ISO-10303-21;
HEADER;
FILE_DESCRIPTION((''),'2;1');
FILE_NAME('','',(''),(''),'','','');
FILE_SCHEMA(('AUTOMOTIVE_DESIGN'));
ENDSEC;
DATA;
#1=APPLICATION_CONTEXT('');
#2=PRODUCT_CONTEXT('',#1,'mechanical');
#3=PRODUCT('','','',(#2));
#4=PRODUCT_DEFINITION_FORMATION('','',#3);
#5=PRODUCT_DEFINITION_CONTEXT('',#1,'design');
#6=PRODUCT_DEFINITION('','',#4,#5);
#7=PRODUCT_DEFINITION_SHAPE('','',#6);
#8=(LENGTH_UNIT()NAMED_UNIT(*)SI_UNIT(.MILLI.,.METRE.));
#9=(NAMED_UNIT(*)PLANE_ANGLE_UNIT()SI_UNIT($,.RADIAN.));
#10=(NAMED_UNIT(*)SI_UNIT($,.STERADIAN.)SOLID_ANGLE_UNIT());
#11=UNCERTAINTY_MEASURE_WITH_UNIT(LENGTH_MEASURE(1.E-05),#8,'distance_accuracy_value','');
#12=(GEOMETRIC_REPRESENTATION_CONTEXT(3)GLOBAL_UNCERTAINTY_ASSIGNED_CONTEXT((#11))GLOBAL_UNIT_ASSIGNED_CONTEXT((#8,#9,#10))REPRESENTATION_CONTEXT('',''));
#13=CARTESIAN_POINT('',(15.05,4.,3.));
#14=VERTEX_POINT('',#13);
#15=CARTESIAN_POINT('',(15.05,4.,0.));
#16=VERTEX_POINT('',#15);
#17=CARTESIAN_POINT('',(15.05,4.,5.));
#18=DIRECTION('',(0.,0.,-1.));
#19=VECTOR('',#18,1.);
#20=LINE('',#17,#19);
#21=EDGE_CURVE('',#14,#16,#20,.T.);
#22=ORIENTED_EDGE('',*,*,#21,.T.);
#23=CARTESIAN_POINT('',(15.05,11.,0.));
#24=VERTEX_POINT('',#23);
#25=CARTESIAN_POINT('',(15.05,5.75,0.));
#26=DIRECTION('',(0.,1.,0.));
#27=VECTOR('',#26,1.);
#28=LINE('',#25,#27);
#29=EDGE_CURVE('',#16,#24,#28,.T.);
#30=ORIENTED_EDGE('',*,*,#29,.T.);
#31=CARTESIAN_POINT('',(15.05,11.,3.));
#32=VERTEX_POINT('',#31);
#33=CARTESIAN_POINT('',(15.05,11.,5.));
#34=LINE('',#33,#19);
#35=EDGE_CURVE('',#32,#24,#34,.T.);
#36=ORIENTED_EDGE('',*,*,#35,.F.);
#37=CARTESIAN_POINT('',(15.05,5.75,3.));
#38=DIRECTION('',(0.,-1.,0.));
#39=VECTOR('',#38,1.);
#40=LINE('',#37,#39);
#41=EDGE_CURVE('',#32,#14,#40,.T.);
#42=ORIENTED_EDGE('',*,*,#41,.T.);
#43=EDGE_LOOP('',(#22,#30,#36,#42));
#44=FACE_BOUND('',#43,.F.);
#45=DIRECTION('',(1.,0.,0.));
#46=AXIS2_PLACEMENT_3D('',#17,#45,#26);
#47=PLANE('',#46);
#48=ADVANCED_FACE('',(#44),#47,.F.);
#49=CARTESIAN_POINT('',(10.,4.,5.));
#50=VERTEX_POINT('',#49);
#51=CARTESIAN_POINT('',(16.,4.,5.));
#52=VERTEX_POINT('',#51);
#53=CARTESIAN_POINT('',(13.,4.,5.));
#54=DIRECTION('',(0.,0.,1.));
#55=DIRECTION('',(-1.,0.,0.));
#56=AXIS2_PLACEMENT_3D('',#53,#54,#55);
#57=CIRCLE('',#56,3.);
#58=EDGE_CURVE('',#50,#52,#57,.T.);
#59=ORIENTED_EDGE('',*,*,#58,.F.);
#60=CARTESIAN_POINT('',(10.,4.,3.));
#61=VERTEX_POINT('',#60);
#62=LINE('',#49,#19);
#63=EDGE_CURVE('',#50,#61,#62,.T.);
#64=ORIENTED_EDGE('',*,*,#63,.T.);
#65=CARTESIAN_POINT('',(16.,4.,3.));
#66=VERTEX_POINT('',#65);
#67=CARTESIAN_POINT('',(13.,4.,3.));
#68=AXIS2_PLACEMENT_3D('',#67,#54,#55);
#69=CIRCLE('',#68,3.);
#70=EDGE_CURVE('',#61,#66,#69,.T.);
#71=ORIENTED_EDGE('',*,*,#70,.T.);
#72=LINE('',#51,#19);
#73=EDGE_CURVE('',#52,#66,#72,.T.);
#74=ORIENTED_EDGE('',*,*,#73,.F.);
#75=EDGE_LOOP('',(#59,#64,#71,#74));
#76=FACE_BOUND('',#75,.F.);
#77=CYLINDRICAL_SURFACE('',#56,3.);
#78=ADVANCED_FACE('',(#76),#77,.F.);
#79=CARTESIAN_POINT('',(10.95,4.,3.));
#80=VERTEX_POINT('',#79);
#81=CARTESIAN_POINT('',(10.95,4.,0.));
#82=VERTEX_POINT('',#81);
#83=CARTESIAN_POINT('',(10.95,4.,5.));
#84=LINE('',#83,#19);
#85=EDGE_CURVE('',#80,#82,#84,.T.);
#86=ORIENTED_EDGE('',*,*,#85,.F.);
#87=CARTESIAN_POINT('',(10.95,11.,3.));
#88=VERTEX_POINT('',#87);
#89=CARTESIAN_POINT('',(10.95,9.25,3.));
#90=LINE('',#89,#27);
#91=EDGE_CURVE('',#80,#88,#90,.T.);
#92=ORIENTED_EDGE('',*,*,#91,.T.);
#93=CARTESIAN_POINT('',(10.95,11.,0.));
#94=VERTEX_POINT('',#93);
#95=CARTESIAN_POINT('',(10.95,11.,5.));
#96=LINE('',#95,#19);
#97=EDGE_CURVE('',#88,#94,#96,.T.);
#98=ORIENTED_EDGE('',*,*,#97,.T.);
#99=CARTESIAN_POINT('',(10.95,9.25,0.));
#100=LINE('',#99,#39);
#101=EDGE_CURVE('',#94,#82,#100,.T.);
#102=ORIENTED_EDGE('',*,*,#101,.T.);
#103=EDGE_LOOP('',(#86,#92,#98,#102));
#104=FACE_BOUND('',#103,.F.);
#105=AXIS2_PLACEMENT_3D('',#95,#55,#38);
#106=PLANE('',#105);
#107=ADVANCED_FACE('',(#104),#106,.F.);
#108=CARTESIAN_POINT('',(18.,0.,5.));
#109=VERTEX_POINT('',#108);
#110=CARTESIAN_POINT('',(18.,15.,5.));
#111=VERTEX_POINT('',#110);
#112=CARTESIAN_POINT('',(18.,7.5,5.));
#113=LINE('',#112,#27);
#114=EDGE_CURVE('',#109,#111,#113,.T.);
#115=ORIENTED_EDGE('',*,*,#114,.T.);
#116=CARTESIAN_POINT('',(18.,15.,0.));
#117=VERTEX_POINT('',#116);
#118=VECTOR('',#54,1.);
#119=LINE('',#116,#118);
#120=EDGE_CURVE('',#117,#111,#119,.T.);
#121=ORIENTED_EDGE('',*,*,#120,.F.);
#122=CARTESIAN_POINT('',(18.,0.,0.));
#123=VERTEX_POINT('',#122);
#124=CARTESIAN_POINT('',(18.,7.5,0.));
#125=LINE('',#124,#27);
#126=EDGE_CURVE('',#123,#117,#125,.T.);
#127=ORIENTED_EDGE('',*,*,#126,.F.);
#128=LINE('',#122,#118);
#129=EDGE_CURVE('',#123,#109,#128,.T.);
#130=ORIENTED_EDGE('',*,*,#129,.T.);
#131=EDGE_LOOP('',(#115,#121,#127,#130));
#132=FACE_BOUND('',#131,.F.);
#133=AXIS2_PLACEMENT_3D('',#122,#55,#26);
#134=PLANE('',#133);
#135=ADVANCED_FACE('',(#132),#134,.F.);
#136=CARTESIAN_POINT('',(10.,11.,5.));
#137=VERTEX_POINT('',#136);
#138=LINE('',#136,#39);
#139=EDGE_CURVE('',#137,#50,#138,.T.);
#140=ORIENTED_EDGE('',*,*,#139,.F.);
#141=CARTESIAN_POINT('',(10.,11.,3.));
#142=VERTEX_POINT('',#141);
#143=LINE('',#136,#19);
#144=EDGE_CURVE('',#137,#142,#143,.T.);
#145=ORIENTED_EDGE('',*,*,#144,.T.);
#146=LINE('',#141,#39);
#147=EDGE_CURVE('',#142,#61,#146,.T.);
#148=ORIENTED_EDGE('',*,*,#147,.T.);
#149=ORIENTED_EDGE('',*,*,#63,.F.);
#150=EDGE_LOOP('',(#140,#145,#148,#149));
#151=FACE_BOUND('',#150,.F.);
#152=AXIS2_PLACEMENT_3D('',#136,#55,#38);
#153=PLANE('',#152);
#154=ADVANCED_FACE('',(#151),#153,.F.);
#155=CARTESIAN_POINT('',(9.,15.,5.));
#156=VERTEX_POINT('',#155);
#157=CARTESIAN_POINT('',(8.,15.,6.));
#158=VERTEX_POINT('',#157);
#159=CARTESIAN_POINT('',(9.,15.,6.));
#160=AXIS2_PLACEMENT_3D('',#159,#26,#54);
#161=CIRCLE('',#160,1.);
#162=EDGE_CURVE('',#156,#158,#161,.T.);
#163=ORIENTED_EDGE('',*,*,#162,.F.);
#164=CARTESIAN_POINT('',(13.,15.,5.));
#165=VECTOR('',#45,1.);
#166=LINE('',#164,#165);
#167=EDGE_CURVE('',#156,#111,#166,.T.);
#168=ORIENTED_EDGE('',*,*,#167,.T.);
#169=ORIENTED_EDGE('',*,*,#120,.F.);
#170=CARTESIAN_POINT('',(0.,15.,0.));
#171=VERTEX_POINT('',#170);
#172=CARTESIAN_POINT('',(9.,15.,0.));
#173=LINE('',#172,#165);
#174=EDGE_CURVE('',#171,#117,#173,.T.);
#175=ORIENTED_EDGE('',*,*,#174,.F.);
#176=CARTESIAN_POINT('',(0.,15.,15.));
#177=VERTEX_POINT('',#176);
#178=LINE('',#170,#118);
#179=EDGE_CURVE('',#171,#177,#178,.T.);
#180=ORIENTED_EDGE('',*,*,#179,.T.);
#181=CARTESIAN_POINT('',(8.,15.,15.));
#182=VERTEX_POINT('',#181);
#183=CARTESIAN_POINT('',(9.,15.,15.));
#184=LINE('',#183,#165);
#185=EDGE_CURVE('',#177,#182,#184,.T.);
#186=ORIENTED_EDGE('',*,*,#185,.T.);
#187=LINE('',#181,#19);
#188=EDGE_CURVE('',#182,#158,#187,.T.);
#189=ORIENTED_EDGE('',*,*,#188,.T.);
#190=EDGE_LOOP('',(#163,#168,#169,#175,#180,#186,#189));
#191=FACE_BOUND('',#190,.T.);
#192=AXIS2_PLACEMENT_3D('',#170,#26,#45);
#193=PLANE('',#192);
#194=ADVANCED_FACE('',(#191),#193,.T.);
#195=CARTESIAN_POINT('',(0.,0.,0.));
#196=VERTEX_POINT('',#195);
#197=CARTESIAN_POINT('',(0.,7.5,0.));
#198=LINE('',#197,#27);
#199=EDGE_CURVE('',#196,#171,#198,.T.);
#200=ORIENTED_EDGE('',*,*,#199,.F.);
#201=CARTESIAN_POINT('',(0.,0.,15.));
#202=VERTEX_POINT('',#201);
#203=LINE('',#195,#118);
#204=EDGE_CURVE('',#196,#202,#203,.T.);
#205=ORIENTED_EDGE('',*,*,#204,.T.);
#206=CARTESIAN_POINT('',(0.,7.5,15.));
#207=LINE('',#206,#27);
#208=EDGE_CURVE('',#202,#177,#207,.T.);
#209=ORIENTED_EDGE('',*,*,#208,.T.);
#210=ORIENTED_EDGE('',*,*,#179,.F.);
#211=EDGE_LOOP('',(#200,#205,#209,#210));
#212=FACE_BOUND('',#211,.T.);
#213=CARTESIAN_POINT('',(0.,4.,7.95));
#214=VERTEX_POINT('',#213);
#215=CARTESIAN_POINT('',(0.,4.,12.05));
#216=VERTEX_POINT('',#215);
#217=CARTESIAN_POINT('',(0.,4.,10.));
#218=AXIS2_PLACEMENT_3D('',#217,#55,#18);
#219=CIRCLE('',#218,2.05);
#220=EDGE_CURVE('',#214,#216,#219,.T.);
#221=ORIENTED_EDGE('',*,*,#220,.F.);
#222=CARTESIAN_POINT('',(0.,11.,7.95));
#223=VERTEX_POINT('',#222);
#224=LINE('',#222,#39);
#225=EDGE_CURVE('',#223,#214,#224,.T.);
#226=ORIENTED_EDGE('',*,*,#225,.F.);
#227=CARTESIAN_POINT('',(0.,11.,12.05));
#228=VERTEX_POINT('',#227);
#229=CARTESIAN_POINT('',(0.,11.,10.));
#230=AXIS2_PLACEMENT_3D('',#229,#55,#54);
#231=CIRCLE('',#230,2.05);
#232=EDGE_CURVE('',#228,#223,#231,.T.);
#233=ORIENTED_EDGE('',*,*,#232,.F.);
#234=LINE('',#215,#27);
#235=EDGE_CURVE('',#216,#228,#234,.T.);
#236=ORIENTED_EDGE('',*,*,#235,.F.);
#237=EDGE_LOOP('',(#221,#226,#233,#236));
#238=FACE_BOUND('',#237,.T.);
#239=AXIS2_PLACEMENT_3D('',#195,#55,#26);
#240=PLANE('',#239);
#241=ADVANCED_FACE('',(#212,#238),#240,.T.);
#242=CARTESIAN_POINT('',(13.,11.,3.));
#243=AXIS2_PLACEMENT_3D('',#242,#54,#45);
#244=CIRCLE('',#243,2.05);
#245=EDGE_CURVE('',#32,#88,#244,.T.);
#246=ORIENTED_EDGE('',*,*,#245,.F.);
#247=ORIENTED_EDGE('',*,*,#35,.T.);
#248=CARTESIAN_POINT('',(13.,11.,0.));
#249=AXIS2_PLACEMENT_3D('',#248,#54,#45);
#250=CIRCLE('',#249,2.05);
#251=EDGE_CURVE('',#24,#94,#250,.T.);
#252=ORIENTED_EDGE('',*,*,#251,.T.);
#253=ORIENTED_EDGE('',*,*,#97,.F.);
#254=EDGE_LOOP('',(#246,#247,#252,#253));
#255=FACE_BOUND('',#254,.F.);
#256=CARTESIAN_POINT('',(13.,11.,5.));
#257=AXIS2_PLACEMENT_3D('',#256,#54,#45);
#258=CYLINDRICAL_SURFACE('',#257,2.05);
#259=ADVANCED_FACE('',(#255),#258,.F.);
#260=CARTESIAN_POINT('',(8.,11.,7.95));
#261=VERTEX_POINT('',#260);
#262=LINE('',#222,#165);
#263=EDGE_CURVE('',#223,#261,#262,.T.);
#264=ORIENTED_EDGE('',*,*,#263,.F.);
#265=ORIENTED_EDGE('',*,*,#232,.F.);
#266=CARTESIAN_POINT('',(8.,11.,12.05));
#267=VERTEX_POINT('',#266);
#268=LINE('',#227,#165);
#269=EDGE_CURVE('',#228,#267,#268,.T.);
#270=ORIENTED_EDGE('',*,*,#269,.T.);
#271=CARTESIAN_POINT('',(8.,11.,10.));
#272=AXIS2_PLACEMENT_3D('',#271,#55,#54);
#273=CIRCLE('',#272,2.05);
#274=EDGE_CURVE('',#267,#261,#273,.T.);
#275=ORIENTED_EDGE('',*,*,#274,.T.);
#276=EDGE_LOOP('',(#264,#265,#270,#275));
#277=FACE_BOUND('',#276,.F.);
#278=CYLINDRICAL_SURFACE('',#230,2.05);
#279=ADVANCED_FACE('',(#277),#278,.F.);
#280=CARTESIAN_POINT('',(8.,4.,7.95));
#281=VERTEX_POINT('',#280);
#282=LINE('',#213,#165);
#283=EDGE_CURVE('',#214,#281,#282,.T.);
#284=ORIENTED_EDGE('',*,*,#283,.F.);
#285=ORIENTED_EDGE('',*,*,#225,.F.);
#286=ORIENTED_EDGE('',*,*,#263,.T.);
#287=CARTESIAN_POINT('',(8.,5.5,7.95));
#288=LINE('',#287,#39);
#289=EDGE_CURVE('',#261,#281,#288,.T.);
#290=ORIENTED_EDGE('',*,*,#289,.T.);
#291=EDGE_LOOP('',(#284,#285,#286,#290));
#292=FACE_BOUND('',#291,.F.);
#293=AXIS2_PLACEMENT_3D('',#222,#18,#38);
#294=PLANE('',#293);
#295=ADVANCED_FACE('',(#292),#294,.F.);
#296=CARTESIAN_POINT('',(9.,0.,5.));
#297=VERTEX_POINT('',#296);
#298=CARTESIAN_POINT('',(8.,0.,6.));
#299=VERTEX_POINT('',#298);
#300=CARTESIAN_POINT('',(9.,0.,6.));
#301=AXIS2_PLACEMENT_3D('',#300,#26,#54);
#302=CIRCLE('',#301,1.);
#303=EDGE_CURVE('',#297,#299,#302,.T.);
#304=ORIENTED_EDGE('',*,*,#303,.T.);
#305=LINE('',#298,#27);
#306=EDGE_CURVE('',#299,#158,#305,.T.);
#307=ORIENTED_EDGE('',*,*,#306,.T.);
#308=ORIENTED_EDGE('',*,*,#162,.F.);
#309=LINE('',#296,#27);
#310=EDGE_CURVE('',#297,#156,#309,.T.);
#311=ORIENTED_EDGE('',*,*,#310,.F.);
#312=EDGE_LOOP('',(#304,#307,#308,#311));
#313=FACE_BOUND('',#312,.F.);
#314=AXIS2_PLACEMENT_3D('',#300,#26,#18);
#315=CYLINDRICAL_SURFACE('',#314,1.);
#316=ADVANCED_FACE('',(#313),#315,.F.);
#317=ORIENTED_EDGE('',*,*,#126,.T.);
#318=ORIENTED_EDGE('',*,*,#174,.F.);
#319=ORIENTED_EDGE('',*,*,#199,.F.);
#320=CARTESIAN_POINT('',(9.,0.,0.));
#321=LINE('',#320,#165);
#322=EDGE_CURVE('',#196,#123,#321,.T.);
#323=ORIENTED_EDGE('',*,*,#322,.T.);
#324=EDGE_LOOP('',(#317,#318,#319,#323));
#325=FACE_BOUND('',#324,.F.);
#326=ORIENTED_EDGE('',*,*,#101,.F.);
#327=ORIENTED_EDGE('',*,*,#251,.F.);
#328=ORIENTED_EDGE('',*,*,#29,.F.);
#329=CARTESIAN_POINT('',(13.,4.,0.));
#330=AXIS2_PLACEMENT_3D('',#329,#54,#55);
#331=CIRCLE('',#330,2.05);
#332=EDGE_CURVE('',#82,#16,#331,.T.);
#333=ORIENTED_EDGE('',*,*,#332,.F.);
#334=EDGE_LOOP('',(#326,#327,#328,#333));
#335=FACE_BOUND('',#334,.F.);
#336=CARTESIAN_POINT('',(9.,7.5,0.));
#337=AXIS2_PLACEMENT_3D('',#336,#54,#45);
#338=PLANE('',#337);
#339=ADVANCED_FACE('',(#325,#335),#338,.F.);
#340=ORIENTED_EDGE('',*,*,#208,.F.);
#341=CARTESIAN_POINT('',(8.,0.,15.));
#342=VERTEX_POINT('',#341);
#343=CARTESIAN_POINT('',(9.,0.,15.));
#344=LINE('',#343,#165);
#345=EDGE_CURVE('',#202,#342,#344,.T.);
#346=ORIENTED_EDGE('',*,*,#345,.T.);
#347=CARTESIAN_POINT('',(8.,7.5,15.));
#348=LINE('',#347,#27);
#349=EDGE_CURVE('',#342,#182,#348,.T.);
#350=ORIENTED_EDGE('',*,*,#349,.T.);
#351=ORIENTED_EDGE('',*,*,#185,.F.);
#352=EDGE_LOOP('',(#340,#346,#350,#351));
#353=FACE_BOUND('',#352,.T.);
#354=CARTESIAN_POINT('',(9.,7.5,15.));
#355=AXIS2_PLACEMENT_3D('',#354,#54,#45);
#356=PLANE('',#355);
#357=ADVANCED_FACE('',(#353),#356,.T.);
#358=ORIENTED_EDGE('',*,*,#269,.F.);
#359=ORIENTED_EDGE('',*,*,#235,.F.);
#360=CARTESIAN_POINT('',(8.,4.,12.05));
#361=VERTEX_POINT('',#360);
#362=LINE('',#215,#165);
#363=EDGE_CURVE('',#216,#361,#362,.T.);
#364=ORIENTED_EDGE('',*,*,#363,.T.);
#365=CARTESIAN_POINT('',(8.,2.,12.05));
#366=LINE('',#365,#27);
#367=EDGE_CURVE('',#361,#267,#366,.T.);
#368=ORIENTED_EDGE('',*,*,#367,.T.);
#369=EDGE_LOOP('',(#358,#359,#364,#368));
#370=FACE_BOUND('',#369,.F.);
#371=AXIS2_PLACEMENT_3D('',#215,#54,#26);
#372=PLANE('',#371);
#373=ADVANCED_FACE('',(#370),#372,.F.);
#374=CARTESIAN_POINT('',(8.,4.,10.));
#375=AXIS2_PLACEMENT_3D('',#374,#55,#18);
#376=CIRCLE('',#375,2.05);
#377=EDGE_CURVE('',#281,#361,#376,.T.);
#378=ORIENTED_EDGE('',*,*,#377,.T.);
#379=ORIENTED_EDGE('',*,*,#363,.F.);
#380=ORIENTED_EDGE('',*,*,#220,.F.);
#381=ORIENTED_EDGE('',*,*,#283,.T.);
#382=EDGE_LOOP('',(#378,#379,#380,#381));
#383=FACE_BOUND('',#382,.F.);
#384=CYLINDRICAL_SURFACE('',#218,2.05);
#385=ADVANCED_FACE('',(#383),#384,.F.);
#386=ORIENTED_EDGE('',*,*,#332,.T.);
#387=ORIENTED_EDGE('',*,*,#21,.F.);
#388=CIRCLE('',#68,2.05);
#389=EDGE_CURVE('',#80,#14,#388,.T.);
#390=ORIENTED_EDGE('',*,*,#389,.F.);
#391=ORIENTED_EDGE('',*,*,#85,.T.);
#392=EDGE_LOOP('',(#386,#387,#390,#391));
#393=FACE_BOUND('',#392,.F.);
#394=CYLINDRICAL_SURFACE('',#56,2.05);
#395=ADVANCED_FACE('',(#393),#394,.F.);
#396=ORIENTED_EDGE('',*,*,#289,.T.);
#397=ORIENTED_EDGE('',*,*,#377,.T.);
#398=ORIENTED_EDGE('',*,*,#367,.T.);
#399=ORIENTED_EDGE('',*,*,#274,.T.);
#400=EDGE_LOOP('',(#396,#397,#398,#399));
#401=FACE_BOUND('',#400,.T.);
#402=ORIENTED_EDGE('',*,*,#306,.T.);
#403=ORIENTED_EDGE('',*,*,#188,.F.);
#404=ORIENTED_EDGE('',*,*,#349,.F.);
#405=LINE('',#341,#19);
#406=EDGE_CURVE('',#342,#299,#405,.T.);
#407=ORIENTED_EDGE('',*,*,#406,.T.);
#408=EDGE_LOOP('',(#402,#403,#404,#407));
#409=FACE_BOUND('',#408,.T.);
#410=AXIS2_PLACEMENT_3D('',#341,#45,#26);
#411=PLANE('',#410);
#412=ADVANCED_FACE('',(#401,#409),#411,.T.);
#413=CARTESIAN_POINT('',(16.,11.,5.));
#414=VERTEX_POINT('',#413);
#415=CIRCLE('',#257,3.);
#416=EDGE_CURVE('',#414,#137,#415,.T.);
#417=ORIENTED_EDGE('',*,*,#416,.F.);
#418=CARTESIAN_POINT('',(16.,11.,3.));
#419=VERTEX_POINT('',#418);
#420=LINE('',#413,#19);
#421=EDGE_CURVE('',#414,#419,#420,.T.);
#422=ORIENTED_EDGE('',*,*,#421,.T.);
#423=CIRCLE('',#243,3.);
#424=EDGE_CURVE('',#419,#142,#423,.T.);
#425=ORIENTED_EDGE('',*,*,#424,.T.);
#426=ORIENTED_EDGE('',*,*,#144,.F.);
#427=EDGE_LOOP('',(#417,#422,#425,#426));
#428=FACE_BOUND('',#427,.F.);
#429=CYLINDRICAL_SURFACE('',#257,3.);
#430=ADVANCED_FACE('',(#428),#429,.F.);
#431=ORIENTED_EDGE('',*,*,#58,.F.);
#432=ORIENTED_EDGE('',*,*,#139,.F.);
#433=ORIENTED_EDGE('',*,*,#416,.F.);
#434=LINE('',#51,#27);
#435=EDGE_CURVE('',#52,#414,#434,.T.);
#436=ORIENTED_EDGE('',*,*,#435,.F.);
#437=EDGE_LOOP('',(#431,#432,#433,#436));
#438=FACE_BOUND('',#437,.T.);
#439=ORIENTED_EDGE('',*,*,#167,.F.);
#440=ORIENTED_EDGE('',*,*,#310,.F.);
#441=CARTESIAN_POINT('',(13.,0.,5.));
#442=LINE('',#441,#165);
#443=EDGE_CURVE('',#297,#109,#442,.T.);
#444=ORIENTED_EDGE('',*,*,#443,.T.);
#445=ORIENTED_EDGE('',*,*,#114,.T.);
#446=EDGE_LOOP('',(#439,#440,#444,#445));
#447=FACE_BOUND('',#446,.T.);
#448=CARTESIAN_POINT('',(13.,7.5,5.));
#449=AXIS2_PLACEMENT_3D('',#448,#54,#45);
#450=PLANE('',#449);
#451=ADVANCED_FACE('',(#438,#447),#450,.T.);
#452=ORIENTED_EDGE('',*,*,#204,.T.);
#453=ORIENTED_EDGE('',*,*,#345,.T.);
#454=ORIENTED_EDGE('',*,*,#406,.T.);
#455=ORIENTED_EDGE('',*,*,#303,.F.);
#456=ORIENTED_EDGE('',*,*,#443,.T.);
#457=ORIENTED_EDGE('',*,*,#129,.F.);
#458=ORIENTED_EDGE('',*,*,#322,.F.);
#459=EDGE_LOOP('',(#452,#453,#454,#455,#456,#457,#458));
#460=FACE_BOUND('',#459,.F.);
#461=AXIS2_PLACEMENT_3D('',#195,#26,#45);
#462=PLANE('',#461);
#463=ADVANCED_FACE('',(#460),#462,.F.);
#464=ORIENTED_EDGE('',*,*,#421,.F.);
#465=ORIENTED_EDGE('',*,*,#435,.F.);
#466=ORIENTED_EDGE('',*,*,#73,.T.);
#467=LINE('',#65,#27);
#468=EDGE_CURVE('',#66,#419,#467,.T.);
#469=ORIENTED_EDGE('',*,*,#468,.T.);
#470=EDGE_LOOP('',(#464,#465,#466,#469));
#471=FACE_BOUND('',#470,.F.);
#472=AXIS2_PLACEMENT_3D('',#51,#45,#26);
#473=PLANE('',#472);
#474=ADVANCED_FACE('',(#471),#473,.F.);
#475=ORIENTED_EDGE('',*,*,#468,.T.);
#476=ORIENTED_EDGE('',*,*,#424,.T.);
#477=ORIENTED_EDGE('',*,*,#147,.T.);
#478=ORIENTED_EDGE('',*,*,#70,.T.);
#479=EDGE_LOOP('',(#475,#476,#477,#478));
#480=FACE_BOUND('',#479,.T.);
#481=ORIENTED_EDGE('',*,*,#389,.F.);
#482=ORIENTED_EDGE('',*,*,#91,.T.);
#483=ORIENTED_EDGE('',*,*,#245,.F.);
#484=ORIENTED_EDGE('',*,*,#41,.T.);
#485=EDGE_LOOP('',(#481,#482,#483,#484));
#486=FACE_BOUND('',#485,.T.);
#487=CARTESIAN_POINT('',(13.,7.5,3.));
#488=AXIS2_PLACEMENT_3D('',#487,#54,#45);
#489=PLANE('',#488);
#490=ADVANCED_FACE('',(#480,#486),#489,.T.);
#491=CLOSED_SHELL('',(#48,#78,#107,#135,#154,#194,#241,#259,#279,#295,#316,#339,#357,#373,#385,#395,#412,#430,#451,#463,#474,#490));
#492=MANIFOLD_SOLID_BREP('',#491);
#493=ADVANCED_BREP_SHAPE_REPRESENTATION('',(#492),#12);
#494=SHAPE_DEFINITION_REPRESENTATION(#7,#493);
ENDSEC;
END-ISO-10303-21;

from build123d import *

# Parameters (mm, degrees)
F0_W     = 18
F0_H     = 15
F1_DEPTH = 15
F3_DEPTH = 25
F4_W     = 10
F4_H     = 15
F5_DEPTH = 10
F7_DEPTH = 25
F9_DEPTH = 2
F10_R    = 1


with BuildPart() as f1:
    # F0 (on Top) → F1 (new body)
    with BuildSketch(Plane.XY):
        with Locations((9, 7.5)):
            Rectangle(F0_W, F0_H)
    extrude(amount=F1_DEPTH)

    # F2 (on face) → F3 (cut)
    with BuildSketch(Plane(origin=(0, 0, 0), x_dir=(0, -1, 0), z_dir=(-1, 0, 0))):
        with BuildLine():
            Line((-11, 7.95), (-4, 7.95))
            ThreePointArc((-4, 7.95), (-1.95, 10), (-4, 12.05))
            Line((-4, 12.05), (-11, 12.05))
            ThreePointArc((-11, 12.05), (-13.05, 10), (-11, 7.95))
        make_face()
    extrude(amount=-F3_DEPTH, mode=Mode.SUBTRACT)

    # F4 (on face) → F5 (cut)
    with BuildSketch(Plane.XY.offset(15)):
        with Locations((13, 7.5)):
            Rectangle(F4_W, F4_H)
    extrude(amount=-F5_DEPTH, mode=Mode.SUBTRACT)

    # F6 (on face) → F7 (cut)
    with BuildSketch(Plane.XY.offset(5)):
        with BuildLine():
            Line((15.05, 4), (15.05, 11))
            ThreePointArc((15.05, 11), (13, 13.05), (10.95, 11))
            Line((10.95, 11), (10.95, 4))
            ThreePointArc((10.95, 4), (13, 1.95), (15.05, 4))
        make_face()
    extrude(amount=-F7_DEPTH, mode=Mode.SUBTRACT)

    # F8 (on face) → F9 (cut)
    with BuildSketch(Plane.XY.offset(5)):
        with BuildLine():
            Line((16, 4), (16, 11))
            ThreePointArc((16, 11), (13, 14), (10, 11))
            Line((10, 11), (10, 4))
            ThreePointArc((10, 4), (13, 1), (16, 4))
        make_face()
    extrude(amount=-F9_DEPTH, mode=Mode.SUBTRACT)

    # F10
    f10_edges = [f1.edges().sort_by_distance(p)[0] for p in [
        (8, 7.5, 5),
    ]]
    fillet(f10_edges, radius=F10_R)


solid = f1.part
